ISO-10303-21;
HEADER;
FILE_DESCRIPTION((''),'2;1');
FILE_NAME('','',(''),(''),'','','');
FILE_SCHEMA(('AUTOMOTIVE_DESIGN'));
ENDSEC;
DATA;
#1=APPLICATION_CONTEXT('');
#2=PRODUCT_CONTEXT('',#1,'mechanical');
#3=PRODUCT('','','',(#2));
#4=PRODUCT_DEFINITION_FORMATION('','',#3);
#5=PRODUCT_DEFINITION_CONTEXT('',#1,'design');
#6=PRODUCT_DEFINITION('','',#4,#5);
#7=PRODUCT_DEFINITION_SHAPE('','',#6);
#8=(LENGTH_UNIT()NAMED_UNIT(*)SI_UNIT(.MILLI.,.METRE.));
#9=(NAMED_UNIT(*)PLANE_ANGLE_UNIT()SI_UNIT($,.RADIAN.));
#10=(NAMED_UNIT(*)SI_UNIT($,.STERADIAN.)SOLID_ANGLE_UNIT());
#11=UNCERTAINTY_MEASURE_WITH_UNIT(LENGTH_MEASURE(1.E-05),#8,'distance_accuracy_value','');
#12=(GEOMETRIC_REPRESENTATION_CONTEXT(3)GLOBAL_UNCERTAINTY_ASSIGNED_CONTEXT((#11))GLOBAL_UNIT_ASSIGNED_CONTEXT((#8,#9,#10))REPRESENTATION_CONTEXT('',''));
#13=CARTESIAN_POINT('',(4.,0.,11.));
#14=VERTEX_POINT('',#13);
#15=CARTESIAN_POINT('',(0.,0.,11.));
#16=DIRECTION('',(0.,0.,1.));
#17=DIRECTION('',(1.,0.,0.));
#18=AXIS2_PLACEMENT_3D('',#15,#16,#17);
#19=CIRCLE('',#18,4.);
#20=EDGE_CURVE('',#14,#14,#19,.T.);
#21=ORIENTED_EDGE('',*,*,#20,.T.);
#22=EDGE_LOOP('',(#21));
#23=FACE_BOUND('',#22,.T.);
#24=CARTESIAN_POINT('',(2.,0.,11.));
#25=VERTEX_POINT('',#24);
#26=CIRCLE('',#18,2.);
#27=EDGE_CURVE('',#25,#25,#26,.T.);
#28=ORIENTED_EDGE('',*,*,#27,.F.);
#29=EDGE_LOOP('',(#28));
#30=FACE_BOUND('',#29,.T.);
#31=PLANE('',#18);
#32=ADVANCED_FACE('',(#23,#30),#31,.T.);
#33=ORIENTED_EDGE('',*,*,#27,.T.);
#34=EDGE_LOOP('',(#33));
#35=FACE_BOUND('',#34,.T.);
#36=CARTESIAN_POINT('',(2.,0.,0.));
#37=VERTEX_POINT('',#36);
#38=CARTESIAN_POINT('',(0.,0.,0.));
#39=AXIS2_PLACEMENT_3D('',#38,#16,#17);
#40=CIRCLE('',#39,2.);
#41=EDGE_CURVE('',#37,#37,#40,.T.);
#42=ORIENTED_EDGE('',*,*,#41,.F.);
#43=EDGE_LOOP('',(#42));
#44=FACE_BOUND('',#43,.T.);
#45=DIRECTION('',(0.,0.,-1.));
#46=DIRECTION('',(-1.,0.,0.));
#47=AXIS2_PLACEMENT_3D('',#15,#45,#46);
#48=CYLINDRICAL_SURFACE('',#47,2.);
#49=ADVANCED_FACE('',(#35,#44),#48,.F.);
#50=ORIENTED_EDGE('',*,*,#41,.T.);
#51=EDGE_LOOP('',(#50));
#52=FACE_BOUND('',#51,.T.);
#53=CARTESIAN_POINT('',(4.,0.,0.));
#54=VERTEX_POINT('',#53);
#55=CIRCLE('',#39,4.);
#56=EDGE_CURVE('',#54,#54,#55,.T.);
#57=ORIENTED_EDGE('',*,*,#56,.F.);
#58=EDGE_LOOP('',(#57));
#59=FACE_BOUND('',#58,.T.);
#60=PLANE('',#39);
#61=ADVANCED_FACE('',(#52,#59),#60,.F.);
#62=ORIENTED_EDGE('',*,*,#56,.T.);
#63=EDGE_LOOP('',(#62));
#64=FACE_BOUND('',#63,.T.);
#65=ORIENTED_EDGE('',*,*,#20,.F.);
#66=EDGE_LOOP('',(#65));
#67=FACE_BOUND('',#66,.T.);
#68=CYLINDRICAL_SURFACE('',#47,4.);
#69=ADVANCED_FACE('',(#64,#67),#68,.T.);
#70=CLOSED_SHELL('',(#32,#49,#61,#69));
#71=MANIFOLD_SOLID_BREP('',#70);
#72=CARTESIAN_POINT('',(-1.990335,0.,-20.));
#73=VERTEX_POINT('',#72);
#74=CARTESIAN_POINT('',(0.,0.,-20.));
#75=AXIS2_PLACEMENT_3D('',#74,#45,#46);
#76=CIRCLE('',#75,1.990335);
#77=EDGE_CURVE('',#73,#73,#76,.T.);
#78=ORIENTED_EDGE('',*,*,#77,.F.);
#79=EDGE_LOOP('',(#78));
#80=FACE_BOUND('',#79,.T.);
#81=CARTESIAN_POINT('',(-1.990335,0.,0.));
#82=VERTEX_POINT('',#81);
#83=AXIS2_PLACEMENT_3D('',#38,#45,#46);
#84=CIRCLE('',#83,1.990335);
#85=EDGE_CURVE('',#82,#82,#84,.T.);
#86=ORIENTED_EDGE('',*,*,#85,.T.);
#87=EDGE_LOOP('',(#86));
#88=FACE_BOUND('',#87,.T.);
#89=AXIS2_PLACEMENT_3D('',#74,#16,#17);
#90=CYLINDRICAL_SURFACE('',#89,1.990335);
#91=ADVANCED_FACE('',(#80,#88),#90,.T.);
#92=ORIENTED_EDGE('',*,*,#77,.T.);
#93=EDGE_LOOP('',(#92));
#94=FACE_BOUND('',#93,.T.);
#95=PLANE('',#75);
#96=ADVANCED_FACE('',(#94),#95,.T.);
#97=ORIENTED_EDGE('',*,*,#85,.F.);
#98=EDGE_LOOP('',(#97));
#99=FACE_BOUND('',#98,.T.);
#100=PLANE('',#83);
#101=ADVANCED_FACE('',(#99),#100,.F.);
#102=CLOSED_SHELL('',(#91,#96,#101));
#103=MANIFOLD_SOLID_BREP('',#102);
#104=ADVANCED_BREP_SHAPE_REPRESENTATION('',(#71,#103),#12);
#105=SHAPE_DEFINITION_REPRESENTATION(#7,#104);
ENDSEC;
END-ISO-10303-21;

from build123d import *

# Parameters (mm, degrees)
SKETCH1_R           = 4
SKETCH1_R_2         = 2
BOSS_EXTRUDE1_DEPTH = 11
SKETCH2_R           = 1.990334505
BOSS_EXTRUDE2_DEPTH = 20


with BuildPart() as part:
    # Sketch1 → Boss-Extrude1 (new body)
    with BuildSketch(Plane.XY):
        Circle(SKETCH1_R)
        Circle(SKETCH1_R_2, mode=Mode.SUBTRACT)
    extrude(amount=BOSS_EXTRUDE1_DEPTH)


with BuildPart() as body_2:
    # Sketch2 → Boss-Extrude2 (new body)
    with BuildSketch(Plane(origin=(0, 0, 0), x_dir=(-1, 0, 0), z_dir=(0, 0, -1))):
        Circle(SKETCH2_R)
    extrude(amount=BOSS_EXTRUDE2_DEPTH)


solid = Compound([part.part, body_2.part])
